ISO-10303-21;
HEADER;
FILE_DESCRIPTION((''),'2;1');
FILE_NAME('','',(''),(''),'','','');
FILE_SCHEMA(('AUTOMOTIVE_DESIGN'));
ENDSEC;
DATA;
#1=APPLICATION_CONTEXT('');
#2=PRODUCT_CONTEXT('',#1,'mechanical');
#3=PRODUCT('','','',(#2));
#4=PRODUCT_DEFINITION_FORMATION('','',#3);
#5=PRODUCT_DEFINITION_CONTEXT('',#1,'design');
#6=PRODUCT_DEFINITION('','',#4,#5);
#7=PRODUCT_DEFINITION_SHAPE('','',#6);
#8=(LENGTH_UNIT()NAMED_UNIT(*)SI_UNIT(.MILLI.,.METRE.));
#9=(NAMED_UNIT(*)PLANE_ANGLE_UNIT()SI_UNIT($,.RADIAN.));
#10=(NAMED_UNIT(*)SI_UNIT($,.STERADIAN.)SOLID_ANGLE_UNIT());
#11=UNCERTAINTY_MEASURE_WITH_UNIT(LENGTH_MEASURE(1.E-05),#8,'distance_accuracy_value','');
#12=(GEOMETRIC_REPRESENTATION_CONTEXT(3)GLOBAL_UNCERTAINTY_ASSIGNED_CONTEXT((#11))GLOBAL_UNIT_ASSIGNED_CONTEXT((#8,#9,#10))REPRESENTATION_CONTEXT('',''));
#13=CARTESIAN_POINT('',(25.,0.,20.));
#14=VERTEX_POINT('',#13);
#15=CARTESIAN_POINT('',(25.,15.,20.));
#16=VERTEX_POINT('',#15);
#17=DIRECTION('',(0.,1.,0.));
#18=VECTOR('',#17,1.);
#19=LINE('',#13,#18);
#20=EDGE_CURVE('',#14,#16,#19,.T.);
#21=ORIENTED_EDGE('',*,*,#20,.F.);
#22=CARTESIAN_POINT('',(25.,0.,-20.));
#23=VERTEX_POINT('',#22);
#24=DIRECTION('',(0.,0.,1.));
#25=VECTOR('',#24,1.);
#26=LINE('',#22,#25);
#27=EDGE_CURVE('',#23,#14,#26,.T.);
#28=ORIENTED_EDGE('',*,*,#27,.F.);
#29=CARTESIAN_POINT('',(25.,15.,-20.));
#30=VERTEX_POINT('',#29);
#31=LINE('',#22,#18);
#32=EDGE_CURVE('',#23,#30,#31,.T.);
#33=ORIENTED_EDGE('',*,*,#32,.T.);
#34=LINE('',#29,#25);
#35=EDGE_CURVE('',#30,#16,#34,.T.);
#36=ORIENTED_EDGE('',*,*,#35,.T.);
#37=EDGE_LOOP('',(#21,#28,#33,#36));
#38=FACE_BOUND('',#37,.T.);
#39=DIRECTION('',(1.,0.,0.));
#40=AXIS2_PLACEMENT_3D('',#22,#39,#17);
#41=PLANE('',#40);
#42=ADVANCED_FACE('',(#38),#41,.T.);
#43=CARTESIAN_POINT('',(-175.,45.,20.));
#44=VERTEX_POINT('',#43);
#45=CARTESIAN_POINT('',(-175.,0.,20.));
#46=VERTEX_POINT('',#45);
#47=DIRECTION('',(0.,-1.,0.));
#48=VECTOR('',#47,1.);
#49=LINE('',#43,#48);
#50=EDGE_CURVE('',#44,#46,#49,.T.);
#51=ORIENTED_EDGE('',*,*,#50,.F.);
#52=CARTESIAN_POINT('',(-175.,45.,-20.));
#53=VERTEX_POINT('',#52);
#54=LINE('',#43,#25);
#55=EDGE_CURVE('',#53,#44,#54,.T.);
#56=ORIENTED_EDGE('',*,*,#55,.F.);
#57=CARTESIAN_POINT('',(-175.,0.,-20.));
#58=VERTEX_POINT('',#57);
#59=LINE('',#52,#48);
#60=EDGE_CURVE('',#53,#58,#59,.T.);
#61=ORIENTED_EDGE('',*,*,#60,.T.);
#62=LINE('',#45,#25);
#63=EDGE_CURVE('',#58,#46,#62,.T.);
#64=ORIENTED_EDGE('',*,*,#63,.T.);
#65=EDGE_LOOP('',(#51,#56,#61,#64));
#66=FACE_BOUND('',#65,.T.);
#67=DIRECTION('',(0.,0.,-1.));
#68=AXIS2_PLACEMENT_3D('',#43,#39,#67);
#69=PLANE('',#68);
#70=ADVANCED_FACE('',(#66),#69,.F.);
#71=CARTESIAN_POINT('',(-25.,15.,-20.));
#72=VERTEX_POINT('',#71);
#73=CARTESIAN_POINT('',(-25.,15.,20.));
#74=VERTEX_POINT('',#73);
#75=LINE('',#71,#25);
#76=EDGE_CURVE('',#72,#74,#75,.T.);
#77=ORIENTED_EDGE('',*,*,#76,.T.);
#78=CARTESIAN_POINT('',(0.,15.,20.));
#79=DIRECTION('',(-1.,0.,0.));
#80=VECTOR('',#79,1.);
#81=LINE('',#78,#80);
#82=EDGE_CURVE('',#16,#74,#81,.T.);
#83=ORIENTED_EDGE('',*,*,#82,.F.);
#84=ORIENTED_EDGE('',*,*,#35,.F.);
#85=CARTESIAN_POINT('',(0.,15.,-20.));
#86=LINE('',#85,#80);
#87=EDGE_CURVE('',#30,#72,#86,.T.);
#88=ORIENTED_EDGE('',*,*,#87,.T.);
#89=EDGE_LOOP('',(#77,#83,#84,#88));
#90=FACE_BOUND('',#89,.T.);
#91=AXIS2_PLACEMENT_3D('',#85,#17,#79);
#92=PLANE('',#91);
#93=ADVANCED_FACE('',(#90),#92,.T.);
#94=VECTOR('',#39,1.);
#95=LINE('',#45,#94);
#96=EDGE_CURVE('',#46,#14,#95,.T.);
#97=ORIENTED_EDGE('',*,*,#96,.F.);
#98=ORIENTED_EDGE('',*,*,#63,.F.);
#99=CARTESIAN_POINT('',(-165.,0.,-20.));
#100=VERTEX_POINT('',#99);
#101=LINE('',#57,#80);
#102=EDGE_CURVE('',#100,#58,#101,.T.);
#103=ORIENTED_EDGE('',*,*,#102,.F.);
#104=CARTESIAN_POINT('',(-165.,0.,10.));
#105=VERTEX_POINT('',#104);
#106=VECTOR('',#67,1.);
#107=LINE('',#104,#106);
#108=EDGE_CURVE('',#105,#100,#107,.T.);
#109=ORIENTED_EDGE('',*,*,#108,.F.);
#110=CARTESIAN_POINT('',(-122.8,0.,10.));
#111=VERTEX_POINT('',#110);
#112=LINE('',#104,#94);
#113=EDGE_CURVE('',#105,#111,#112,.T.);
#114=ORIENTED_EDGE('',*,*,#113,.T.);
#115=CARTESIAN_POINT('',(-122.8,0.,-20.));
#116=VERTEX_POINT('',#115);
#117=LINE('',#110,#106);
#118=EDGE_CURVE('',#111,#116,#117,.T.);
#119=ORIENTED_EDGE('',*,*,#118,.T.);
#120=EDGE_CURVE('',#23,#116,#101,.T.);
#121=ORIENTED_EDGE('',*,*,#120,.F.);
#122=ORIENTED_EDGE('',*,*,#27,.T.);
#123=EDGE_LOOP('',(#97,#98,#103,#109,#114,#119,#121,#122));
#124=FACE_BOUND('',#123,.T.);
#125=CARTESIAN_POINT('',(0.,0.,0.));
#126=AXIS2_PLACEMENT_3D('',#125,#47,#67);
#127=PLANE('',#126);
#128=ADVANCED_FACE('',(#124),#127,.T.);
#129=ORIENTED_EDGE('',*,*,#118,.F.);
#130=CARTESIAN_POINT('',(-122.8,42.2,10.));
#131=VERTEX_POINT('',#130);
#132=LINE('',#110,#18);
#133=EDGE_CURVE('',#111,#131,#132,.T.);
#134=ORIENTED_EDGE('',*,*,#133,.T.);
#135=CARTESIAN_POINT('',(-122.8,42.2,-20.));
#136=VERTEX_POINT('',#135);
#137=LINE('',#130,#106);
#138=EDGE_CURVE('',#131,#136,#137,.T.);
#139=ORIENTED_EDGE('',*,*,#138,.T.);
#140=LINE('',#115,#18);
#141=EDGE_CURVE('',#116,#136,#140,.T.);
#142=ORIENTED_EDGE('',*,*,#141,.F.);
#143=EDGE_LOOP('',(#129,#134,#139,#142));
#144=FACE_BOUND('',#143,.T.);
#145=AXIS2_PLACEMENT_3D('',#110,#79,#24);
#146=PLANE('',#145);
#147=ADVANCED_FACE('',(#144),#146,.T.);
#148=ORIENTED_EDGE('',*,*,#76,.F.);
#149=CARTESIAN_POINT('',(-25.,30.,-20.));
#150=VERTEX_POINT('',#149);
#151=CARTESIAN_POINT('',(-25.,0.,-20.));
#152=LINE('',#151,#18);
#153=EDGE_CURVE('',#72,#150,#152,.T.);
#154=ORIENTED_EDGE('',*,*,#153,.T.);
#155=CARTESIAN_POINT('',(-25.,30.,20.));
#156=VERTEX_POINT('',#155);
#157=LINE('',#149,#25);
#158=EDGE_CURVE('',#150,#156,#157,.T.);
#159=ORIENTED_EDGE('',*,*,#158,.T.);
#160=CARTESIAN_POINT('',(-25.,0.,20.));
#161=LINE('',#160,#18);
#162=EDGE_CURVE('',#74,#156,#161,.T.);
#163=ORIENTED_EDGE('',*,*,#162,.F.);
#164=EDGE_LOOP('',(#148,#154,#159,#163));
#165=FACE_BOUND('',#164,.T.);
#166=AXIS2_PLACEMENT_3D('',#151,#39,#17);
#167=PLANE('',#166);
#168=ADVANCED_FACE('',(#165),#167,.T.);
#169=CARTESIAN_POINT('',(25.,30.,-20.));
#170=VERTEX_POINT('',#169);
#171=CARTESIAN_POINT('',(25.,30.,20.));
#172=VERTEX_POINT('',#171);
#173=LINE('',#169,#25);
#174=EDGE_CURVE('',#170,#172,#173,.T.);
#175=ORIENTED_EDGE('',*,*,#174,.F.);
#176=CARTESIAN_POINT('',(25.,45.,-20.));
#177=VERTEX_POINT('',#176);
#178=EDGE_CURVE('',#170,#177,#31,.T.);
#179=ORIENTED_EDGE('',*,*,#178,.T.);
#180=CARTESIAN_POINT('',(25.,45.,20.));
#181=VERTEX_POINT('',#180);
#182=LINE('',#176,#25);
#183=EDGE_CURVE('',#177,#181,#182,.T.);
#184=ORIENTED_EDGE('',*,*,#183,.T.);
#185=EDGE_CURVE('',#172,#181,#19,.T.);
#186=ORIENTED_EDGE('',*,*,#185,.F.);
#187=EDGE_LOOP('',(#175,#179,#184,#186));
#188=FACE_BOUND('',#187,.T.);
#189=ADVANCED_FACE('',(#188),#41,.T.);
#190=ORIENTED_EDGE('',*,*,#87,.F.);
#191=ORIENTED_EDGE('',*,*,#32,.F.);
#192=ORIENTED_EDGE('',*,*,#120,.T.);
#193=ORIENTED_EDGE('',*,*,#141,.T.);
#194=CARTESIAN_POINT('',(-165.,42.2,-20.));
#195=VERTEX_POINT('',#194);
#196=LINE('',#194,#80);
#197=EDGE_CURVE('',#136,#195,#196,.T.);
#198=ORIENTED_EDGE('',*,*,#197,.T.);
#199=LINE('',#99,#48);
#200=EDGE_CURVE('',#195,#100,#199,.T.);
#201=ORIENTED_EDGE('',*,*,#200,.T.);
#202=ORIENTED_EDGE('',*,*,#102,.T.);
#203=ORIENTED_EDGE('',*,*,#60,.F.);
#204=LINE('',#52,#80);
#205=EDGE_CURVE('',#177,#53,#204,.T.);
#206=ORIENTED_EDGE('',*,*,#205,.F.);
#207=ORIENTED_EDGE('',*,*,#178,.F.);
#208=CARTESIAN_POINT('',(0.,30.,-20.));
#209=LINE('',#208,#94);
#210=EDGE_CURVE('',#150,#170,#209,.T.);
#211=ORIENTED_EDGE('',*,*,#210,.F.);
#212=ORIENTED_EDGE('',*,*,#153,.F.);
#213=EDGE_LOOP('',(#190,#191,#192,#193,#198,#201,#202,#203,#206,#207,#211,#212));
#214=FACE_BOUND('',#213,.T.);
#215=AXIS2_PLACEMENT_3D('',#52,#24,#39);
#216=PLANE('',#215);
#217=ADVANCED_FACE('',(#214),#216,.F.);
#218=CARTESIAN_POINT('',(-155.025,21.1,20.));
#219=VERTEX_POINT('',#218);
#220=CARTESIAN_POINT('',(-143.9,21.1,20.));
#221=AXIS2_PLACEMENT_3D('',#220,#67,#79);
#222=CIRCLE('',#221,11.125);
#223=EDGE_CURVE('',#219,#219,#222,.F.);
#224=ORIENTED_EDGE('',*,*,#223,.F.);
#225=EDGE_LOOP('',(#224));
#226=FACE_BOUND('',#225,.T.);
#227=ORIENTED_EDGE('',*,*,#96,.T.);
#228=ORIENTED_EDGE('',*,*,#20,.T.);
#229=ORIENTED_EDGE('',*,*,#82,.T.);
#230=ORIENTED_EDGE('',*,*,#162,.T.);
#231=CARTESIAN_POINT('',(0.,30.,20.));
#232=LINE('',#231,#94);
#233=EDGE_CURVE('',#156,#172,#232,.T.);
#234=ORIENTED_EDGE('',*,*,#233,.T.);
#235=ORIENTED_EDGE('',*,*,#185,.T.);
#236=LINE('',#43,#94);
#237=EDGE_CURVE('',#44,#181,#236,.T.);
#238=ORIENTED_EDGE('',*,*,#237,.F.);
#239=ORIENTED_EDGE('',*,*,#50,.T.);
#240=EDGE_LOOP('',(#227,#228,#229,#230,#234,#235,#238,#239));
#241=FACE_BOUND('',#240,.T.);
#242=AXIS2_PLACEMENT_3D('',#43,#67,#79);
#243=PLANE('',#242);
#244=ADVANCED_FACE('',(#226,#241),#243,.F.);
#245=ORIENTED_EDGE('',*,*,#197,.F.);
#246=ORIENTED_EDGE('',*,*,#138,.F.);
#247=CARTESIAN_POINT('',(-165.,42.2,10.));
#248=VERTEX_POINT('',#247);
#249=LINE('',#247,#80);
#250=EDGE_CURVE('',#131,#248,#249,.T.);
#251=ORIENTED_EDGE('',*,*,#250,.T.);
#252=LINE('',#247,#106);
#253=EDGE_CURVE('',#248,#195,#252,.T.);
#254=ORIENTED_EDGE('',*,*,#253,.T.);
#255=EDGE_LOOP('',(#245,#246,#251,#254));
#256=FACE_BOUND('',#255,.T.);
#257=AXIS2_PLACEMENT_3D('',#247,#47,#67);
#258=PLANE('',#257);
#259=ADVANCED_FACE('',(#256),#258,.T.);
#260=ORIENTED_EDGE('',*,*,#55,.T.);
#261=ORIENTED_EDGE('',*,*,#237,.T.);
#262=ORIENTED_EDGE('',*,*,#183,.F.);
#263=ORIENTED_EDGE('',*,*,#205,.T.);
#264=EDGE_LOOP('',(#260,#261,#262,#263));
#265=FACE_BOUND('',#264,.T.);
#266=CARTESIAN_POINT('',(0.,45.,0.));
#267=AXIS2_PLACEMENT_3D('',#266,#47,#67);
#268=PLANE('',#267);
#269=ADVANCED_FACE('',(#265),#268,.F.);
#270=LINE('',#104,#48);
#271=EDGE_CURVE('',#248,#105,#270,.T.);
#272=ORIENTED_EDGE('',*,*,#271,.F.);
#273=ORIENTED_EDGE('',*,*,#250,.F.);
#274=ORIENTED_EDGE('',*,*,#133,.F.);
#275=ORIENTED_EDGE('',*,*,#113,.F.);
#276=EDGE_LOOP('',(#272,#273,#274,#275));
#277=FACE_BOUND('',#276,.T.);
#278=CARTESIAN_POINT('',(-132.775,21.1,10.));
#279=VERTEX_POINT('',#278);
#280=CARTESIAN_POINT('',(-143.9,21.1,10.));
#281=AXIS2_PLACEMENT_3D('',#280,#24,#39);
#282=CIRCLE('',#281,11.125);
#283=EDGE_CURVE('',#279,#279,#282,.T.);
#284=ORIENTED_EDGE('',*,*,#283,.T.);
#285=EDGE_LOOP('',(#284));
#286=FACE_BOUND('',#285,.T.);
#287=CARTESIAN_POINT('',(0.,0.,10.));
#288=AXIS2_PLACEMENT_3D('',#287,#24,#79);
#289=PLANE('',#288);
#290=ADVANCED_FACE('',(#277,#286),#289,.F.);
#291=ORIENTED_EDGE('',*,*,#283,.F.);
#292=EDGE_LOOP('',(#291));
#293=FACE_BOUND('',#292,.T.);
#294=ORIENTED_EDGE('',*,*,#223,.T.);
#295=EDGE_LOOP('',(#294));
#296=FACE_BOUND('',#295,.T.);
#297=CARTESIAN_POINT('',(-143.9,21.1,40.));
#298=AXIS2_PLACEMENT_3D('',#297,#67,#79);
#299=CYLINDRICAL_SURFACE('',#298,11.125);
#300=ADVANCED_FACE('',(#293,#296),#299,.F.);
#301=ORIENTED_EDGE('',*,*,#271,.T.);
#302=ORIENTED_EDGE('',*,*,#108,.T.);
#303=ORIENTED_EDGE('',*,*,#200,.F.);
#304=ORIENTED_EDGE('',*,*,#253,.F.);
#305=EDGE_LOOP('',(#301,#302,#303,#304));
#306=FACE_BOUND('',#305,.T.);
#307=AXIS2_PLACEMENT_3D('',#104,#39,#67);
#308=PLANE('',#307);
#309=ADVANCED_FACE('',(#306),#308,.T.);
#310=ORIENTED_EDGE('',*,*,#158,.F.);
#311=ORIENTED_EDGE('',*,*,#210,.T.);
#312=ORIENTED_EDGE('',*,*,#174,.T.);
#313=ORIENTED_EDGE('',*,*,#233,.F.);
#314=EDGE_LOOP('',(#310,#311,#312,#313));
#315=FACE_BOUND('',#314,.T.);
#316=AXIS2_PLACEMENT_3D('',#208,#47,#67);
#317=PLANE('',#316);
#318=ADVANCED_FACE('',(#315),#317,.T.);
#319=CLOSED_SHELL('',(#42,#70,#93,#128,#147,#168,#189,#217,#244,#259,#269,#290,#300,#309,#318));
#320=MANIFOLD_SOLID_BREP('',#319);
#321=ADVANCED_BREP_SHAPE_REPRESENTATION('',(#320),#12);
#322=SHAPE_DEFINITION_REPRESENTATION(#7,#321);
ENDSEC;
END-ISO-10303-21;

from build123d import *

# Parameters (mm, degrees)
CROQUIS1_W              = 350
CROQUIS1_H              = 40
SALIENTE_EXTRUIR1_DEPTH = 45
CROQUIS2_W              = 42.2
CROQUIS2_H              = 42.2
CORTAR_EXTRUIR1_DEPTH   = 30
CROQUIS3_R              = 11.125
CORTAR_EXTRUIR2_DEPTH   = 30
CROQUIS4_R              = 11.125
CORTAR_EXTRUIR3_DEPTH   = 186.067555233


with BuildPart() as part:
    # Croquis1 → Saliente-Extruir1 (new body)
    with BuildSketch(Plane(origin=(0, 0, 0), x_dir=(1, 0, 0), z_dir=(0, 1, 0))):
        Rectangle(CROQUIS1_W, CROQUIS1_H)
    extrude(amount=SALIENTE_EXTRUIR1_DEPTH)

    # Croquis2 → Cortar-Extruir1 (cut)
    with BuildSketch(Plane(origin=(0, 0, -20), x_dir=(-1, 0, 0), z_dir=(0, 0, -1))):
        with Locations((-143.9, 21.1)):
            Rectangle(CROQUIS2_W, CROQUIS2_H)
    cortar_extruir1 = extrude(amount=-CORTAR_EXTRUIR1_DEPTH, mode=Mode.SUBTRACT)

    # Croquis3 → Cortar-Extruir2 (cut)
    with BuildSketch(Plane(origin=(0, 0, 10), x_dir=(-1, 0, 0), z_dir=(0, 0, -1))):
        with Locations((-143.9, 21.1)):
            Circle(CROQUIS3_R)
    cortar_extruir2 = extrude(amount=-CORTAR_EXTRUIR2_DEPTH, mode=Mode.SUBTRACT)

    # Simetría1: Cortar-Extruir1, Cortar-Extruir2 across plane
    add(cortar_extruir1.mirror(Plane(origin=(0, 0, 0), x_dir=(0, 0, 1), z_dir=(1, 0, 0))), mode=Mode.SUBTRACT)
    add(cortar_extruir2.mirror(Plane(origin=(0, 0, 0), x_dir=(0, 0, 1), z_dir=(1, 0, 0))), mode=Mode.SUBTRACT)

    # Croquis4 → Cortar-Extruir3 (cut, through all)
    with BuildSketch(Plane.XY.offset(20)):
        Polygon((25, 15), (25, 0), (175, 0), (175, 45), (25, 45), (25, 30), (-25, 30), (-25, 15), align=None)
        with Locations((143.9, 21.1)):
            Circle(CROQUIS4_R, mode=Mode.SUBTRACT)
    extrude(amount=-CORTAR_EXTRUIR3_DEPTH, mode=Mode.SUBTRACT)


solid = part.part
